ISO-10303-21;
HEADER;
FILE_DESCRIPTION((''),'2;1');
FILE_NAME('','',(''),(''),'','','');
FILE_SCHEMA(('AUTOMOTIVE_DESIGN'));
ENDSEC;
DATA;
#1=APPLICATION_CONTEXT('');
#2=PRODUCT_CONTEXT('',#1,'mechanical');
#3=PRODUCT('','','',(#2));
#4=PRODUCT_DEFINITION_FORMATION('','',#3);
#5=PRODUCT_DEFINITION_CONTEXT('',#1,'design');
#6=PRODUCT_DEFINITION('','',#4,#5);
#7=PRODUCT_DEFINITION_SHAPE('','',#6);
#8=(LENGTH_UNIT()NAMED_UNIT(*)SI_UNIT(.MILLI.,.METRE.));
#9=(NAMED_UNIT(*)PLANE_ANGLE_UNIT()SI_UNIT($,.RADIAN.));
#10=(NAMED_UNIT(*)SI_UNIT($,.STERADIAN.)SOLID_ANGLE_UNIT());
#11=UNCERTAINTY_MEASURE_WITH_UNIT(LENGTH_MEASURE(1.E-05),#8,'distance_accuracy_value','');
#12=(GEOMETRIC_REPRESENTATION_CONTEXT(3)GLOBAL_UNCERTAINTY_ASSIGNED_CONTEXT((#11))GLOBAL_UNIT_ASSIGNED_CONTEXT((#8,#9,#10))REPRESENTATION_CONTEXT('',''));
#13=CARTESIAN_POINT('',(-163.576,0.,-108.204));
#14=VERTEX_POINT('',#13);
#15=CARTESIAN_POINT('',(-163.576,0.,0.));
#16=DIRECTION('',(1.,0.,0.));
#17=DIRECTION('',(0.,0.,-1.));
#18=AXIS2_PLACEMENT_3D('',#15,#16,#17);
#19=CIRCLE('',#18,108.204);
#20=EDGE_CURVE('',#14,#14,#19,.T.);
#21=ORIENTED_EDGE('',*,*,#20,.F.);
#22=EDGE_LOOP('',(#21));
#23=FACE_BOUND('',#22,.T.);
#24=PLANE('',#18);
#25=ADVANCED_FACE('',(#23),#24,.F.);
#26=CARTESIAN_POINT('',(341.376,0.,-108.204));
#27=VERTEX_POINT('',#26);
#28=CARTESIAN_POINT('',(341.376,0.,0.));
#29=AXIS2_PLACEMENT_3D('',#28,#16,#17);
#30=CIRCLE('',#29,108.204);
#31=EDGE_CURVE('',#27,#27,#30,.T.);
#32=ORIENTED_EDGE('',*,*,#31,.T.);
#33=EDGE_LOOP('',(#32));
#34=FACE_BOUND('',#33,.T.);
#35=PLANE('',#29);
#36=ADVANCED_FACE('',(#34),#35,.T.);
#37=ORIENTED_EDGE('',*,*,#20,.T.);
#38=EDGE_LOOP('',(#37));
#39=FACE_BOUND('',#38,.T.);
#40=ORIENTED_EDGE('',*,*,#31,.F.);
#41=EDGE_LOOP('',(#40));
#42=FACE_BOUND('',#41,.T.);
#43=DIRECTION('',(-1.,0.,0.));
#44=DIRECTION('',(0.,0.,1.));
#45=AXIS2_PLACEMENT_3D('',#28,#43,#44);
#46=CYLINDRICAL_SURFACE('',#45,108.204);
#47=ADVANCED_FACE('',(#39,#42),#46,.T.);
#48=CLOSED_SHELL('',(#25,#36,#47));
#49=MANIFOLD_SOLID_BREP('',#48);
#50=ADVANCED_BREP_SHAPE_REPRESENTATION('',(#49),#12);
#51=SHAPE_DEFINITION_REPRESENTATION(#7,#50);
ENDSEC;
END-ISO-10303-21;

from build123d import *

# Parameters (mm, degrees)
SKETCH1_R           = 38.1
BOSS_EXTRUDE1_DEPTH = 177.8
SCALE1_SCALE        = 2.84


with BuildPart() as part:
    # Sketch1 → Boss-Extrude1 (new body)
    with BuildSketch(Plane(origin=(0, 0, 0), x_dir=(0, 0, -1), z_dir=(1, 0, 0))):
        Circle(SKETCH1_R)
    extrude(amount=BOSS_EXTRUDE1_DEPTH)


with BuildPart() as part_1:
    # Scale1: scaled about (88.9, 0, 0)
    add(part.part.scale(SCALE1_SCALE).moved(Location((-163.576, 0, 0))))


solid = part_1.part
